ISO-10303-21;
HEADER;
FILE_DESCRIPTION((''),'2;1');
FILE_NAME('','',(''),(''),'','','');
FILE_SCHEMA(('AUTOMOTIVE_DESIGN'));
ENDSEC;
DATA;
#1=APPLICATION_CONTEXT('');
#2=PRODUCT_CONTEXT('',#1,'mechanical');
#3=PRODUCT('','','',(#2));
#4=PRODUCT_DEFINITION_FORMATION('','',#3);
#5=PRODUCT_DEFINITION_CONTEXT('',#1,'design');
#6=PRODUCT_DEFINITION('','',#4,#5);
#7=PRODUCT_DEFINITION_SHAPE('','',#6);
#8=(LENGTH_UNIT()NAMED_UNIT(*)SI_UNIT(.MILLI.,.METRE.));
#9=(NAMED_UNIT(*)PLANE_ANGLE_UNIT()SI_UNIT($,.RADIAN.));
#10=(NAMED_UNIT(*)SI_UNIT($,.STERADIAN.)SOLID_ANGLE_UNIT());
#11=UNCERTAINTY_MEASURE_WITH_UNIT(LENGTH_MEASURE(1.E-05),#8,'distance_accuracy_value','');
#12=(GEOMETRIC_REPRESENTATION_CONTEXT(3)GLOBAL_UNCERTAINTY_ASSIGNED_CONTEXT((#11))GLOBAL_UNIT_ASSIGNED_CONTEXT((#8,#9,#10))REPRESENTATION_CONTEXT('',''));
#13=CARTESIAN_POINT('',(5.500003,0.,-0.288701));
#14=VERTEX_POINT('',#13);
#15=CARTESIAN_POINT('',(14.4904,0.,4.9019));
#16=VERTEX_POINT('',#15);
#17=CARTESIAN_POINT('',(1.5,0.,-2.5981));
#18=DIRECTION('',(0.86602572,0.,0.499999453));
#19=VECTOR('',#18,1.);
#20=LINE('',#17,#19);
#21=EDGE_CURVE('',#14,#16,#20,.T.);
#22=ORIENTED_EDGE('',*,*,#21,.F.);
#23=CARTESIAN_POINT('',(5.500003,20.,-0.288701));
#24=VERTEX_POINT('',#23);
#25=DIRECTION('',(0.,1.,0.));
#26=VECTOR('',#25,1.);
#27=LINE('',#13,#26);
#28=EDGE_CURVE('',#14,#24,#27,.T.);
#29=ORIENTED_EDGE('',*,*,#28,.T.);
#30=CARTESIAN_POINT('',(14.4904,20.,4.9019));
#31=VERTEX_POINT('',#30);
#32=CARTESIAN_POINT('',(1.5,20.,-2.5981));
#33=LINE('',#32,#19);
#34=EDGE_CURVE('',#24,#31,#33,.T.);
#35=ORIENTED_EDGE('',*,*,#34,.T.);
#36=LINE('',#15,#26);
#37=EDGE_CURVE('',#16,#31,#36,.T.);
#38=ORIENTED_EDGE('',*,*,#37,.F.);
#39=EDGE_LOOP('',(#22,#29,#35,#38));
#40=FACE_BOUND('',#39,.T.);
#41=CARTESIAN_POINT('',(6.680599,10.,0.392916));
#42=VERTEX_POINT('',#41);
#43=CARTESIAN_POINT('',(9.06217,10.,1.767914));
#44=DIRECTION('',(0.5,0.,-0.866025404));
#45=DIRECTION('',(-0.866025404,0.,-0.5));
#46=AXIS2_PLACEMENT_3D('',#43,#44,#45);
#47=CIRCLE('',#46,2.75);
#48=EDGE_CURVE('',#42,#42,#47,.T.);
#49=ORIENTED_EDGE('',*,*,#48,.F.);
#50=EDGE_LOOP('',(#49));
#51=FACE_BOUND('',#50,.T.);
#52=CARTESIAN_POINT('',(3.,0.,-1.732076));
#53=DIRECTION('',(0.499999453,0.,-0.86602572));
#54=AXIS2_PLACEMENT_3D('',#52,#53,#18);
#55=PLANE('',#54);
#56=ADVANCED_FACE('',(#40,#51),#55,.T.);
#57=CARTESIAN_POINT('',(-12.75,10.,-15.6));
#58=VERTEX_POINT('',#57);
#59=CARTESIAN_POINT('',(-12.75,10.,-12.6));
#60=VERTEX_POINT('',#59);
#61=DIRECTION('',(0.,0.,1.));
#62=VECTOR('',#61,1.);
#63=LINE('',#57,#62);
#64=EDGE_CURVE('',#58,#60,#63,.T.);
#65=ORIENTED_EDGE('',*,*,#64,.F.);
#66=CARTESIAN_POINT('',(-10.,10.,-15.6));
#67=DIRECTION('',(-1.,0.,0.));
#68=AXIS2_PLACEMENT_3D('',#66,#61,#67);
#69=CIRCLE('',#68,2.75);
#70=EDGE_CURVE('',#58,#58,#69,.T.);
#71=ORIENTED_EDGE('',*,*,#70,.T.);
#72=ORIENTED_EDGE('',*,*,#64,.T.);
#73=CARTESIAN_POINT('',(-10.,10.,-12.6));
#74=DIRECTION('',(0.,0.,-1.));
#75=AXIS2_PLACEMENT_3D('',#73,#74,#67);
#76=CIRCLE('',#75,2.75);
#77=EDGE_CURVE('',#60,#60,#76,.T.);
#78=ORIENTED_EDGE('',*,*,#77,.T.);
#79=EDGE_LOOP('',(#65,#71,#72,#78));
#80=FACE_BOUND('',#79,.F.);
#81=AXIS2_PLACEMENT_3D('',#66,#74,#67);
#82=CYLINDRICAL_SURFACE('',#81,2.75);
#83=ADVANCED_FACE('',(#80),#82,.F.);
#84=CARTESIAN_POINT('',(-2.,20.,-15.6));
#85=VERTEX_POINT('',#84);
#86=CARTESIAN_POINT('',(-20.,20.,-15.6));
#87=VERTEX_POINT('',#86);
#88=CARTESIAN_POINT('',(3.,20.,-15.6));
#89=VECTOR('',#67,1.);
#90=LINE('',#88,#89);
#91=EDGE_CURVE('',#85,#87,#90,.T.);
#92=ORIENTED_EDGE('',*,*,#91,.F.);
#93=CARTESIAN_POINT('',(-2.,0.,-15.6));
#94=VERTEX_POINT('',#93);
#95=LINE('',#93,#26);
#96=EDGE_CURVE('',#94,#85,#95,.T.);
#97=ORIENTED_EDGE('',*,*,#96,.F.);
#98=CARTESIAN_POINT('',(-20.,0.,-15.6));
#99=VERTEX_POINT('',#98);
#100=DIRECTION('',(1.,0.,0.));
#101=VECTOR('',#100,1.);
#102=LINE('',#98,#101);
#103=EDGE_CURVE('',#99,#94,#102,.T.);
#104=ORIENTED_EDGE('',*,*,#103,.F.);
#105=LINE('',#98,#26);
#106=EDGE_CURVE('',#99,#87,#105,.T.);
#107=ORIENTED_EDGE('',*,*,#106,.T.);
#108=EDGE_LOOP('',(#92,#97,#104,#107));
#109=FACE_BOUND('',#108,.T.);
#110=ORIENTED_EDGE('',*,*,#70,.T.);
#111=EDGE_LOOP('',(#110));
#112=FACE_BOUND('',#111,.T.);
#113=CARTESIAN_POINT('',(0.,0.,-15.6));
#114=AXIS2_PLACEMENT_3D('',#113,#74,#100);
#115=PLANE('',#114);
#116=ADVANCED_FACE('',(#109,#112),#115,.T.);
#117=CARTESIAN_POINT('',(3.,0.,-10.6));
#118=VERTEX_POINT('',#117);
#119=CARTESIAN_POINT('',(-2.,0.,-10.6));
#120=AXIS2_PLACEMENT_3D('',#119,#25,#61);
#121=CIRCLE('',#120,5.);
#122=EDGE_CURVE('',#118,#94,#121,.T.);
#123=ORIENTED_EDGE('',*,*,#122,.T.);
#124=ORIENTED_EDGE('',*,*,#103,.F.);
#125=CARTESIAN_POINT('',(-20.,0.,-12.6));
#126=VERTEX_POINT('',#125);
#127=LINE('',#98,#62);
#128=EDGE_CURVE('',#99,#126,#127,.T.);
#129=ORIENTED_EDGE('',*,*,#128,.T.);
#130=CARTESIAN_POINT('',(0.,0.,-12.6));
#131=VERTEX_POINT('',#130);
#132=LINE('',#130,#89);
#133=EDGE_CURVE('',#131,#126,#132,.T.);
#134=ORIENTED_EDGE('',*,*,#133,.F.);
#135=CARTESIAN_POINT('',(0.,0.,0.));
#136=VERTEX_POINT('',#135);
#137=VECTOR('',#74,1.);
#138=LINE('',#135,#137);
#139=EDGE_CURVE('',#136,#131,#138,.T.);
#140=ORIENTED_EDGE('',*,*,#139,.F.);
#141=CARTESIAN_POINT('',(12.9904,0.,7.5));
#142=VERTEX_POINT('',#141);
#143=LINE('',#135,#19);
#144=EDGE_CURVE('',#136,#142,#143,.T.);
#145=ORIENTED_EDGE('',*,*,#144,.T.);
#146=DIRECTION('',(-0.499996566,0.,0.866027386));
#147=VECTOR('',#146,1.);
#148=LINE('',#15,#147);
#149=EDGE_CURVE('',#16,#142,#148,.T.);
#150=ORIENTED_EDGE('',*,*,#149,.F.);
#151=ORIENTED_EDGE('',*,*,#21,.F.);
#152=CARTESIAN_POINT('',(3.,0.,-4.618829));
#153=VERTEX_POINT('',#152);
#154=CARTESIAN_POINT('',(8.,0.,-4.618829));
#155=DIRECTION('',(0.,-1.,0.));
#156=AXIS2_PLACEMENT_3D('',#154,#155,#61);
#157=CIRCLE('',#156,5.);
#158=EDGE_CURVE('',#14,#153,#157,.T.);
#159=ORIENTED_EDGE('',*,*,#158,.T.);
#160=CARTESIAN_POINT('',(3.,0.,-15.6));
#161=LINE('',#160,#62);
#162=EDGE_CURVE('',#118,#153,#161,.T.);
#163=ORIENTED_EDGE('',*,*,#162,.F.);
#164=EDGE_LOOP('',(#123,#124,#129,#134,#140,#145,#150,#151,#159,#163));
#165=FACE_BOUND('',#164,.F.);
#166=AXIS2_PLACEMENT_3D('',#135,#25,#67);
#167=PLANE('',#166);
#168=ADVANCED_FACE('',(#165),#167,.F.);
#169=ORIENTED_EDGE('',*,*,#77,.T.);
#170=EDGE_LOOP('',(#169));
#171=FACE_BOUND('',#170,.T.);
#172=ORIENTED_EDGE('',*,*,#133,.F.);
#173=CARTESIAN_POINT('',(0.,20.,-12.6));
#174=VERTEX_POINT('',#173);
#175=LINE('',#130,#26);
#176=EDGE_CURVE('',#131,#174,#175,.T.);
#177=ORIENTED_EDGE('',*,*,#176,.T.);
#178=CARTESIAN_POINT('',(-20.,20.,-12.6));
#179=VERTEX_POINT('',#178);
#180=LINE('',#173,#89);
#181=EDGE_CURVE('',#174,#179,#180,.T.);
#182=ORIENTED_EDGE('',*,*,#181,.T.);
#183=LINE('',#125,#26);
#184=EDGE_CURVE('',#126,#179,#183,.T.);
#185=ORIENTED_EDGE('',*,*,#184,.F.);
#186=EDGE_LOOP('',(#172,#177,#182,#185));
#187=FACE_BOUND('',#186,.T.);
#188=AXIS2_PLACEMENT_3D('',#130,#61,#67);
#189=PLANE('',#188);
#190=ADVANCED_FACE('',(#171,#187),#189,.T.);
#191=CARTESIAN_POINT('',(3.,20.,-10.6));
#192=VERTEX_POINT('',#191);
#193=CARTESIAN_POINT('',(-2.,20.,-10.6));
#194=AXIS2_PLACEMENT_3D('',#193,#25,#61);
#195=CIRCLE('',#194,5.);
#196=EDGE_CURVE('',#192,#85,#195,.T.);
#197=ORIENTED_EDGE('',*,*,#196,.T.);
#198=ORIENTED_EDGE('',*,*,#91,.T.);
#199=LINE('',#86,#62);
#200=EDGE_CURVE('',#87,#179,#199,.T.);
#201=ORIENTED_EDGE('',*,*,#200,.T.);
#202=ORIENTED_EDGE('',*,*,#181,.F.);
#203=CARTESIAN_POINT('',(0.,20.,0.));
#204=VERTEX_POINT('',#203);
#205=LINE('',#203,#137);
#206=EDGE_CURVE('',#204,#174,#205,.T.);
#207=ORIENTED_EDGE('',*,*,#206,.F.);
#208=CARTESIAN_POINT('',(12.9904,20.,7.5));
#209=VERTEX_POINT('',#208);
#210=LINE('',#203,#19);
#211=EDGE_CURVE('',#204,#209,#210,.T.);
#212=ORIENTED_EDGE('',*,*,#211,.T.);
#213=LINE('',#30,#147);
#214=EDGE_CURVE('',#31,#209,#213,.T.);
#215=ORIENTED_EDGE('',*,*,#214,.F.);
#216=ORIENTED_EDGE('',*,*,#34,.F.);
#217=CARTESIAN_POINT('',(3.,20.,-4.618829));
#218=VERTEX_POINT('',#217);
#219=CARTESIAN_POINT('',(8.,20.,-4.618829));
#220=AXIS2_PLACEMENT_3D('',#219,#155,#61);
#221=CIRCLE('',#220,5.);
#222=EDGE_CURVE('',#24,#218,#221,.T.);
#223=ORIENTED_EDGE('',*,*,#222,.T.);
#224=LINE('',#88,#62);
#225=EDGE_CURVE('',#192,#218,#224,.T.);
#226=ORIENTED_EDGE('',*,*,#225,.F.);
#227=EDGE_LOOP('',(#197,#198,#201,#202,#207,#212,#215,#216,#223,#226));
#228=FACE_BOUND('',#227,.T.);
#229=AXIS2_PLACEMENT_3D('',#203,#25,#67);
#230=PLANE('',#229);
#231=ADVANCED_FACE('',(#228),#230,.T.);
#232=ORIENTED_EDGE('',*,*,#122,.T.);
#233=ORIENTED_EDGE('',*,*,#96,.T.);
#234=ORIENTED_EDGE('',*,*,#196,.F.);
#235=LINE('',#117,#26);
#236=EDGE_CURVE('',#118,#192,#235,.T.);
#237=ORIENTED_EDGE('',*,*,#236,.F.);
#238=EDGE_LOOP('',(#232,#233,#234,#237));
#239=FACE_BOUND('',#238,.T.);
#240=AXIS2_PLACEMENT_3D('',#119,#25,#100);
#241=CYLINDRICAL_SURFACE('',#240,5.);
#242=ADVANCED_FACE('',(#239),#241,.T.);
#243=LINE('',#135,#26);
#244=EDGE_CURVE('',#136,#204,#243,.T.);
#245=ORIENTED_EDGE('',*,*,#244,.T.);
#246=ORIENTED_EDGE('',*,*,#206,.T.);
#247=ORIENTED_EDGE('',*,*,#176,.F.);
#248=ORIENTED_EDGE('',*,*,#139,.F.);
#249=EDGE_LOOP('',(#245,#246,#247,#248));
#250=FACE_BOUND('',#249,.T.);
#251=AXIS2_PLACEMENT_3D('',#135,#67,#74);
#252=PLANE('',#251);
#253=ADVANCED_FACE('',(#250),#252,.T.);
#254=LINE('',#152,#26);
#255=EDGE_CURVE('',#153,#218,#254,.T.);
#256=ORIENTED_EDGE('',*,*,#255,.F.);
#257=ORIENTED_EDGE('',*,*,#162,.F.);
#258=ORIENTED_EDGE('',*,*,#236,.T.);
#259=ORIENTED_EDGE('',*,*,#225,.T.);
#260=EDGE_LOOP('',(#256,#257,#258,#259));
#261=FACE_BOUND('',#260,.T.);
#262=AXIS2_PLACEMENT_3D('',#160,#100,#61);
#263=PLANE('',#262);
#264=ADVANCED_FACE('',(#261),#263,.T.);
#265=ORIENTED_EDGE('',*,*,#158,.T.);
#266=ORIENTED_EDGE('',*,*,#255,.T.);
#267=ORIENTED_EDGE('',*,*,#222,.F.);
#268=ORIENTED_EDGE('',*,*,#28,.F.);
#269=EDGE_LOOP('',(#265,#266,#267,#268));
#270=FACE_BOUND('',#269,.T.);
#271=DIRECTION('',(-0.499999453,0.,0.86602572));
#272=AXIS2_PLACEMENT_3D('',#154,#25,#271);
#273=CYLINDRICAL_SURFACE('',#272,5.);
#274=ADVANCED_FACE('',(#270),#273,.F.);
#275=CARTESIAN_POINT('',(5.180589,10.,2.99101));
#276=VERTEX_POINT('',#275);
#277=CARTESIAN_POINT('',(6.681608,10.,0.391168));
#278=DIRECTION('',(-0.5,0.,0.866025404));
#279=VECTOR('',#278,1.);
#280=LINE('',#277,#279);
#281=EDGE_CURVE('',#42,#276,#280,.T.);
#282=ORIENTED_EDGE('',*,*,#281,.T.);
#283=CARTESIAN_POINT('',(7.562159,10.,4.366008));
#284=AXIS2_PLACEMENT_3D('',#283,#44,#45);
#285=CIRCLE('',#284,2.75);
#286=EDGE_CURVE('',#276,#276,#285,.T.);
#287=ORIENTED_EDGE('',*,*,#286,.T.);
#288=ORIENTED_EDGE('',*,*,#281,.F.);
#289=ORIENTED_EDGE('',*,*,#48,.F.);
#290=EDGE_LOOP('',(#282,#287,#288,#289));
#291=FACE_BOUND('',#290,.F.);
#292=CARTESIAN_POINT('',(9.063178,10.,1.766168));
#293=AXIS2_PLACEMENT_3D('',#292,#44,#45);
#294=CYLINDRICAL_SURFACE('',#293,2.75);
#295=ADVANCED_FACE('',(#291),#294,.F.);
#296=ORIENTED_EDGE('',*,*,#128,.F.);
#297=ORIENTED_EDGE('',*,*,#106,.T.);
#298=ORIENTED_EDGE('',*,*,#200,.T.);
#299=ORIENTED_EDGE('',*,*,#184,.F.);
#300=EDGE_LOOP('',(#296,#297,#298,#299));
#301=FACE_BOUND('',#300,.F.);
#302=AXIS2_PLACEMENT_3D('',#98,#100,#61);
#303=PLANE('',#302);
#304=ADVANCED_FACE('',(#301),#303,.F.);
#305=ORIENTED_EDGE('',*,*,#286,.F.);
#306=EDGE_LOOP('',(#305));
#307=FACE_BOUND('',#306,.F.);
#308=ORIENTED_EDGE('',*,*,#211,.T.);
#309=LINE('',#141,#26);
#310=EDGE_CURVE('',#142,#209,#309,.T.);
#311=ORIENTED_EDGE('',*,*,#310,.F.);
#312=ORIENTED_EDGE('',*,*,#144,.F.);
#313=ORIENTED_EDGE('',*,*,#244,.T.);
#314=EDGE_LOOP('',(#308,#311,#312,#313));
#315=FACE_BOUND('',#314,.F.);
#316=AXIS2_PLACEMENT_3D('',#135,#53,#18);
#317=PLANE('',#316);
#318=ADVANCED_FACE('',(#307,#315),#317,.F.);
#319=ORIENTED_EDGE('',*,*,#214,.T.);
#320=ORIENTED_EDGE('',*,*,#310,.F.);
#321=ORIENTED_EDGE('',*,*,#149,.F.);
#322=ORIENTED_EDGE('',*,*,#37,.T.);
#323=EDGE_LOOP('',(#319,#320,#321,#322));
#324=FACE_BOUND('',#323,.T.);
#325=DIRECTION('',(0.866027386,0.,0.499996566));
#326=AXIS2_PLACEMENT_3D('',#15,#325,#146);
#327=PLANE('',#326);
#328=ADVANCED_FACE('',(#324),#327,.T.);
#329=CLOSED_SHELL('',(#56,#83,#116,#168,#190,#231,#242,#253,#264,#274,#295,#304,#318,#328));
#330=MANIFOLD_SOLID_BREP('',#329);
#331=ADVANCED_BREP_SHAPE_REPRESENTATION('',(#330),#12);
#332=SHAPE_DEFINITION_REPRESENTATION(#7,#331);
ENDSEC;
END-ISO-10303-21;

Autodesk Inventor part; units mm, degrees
ref_plane "YZ Plane" through (0, 0, 0) normal (1, 0, 0) x (0, 1, 0)
ref_plane "XZ Plane" through (0, 0, 0) normal (0, 1, 0) x (-1, 0, 0)
ref_plane "XY Plane" through (0, 0, 0) normal (0, 0, 1) x (1, 0, 0)
sketch "Sketch4" plane through (0, 0, 0) normal (0, 1, 0) x (-1, 0, 0)
  line L0 (0, 0) -> (0, -12.6)
  line L1 (0, -12.6) -> (20, -12.6)
  line L2 (20, -12.6) -> (0, -12.6)
  line L3 (0, -12.6) -> (0, -15.6)
  line L4 (0, -15.6) -> (20, -15.6)
  line L5 (20, -15.6) -> (20, -12.6)
  line L6 (0, 0) -> (-12.9904, 7.5)
  line L7 (0, 0) -> (15, 0) construction
  line L8 (-12.9904, 7.5) -> (0, 0)
  line L9 (0, 0) -> (-1.5, -2.5981)
  line L10 (-1.5, -2.5981) -> (-14.4904, 4.9019)
  line L11 (-14.4904, 4.9019) -> (-12.9904, 7.5)
  line L12 (0, 0) -> (0, -15.6)
  line L13 (0, -15.6) -> (-3, -15.6)
  line L14 (-3, -15.6) -> (-3, 0)
  line L15 (-3, 0) -> (0, 0)
  dimension "d16" = 12.6
  dimension "d17" = 20
  dimension "d18" = 3
  dimension "d19" = 15
  dimension "d20" = 150
  dimension "d21" = 3
  dimension "d24" = 3
extrude "Extrusion5" add sketch "Sketch4" along normal blind 20
sketch "Sketch5" plane through (3, 0, -15.6) normal (0, 0, -1) x (-1, 0, 0)
  line L0 (3, 0) -> (23, 0) projected
  line L1 (13, 0) -> (13, 10)
  circle A0 centre (13, 10) radius 2.75
  dimension "d27" = 10
  dimension "d28" = 5.5
extrude "Extrusion6" cut sketch "Sketch5" against normal blind 3
sketch "Sketch6" plane through (3, 0, -1.7321) normal (0.5, 0, -0.866) x (-0.866, 0, -0.5)
  line L0 (0, 0) -> (0, 20) projected
  line L1 (0, 10) -> (-7, 10)
  circle A0 centre (-7, 10) radius 2.75
  point P0 (1.7321, 0)
  dimension "d31" = 7
  dimension "d32" = 5.5
extrude "Extrusion7" cut sketch "Sketch6" against normal blind 3
fillet "Fillet1" radius 5 2 edges at (3, 10, -1.7321) (3, 10, -15.6)
properties part number "Acrylic_angle_bracket"
